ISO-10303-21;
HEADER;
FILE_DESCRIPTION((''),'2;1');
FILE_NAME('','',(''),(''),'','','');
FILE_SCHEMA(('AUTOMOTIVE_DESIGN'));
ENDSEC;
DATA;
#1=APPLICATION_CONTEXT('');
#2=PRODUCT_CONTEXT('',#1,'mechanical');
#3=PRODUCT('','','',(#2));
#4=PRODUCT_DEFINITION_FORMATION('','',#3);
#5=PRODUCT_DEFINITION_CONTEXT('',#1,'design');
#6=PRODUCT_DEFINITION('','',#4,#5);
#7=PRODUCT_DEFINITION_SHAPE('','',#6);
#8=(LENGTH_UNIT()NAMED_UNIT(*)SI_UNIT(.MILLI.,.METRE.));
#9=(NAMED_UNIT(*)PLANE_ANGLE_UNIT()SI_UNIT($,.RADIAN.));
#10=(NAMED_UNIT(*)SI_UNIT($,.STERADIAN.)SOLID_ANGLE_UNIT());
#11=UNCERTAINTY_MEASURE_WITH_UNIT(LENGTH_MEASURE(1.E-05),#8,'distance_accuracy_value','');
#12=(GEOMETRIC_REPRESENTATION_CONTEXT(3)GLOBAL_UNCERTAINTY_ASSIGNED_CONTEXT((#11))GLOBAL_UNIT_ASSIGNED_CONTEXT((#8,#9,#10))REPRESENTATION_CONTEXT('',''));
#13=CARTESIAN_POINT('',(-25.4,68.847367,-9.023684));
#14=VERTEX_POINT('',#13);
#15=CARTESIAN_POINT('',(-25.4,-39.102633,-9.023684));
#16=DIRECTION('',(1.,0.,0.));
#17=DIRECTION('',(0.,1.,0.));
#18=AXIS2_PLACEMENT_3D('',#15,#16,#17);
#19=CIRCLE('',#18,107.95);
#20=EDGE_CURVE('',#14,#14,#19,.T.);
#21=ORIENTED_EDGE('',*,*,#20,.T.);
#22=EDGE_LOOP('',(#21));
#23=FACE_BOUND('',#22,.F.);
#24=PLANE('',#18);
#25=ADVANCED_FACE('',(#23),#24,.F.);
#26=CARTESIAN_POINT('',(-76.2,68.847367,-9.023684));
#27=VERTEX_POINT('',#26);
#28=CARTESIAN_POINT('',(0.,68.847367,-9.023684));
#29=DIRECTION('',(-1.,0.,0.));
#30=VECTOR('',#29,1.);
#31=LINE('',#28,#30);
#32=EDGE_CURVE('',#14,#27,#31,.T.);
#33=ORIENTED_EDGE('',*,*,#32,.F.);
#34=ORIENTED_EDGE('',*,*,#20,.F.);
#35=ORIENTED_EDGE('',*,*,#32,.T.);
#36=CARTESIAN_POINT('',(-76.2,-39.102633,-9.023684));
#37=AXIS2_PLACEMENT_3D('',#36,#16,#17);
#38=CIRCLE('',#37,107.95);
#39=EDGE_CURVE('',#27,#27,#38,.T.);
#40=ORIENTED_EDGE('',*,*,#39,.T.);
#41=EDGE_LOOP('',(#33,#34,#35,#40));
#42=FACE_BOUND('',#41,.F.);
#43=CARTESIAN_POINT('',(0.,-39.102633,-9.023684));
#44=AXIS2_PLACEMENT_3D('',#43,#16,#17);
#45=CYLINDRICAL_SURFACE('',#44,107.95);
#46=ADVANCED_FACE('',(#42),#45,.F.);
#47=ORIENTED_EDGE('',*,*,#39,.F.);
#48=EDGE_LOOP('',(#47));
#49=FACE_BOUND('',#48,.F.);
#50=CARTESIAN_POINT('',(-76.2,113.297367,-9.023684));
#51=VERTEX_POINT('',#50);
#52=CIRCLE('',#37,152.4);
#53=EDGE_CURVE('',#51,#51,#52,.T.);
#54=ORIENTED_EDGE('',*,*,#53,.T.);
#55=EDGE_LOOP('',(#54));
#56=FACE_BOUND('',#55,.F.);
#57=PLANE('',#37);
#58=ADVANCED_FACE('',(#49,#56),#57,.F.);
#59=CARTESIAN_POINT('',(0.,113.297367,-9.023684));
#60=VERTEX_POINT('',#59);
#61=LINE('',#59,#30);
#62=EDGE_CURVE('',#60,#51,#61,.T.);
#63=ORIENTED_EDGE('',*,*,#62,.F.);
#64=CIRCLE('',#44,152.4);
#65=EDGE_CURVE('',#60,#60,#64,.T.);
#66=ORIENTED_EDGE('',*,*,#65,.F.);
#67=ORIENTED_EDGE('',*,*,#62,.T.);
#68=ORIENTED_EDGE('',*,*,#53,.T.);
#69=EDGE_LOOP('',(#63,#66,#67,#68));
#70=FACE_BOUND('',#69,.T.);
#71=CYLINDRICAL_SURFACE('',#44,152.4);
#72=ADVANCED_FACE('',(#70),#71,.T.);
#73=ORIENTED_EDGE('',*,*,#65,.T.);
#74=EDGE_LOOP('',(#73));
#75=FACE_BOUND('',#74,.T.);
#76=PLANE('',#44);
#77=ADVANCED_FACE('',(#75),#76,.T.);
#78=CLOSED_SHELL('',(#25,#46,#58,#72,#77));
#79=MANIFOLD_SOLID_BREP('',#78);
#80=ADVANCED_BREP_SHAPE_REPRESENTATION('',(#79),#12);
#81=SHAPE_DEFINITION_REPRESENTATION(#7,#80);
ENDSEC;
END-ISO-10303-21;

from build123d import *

# Parameters (mm, degrees)
F0_R     = 152.4
F0_R_2   = 107.95
F1_DEPTH = 76.2
F2_DEPTH = 25.4


with BuildPart() as f1:
    # F0 (on Right) → F1 (new body)
    with BuildSketch(Plane.YZ):
        with Locations((-39.102633, -9.023684)):
            Circle(F0_R)
        with Locations((-39.102633, -9.023684)):
            Circle(F0_R_2, mode=Mode.SUBTRACT)
    extrude(amount=-F1_DEPTH)

    # F0 (on Right) → F2 (join)
    with BuildSketch(Plane.YZ):
        with Locations((-39.102633, -9.023684)):
            Circle(F0_R_2)
    extrude(amount=-F2_DEPTH)


solid = f1.part
